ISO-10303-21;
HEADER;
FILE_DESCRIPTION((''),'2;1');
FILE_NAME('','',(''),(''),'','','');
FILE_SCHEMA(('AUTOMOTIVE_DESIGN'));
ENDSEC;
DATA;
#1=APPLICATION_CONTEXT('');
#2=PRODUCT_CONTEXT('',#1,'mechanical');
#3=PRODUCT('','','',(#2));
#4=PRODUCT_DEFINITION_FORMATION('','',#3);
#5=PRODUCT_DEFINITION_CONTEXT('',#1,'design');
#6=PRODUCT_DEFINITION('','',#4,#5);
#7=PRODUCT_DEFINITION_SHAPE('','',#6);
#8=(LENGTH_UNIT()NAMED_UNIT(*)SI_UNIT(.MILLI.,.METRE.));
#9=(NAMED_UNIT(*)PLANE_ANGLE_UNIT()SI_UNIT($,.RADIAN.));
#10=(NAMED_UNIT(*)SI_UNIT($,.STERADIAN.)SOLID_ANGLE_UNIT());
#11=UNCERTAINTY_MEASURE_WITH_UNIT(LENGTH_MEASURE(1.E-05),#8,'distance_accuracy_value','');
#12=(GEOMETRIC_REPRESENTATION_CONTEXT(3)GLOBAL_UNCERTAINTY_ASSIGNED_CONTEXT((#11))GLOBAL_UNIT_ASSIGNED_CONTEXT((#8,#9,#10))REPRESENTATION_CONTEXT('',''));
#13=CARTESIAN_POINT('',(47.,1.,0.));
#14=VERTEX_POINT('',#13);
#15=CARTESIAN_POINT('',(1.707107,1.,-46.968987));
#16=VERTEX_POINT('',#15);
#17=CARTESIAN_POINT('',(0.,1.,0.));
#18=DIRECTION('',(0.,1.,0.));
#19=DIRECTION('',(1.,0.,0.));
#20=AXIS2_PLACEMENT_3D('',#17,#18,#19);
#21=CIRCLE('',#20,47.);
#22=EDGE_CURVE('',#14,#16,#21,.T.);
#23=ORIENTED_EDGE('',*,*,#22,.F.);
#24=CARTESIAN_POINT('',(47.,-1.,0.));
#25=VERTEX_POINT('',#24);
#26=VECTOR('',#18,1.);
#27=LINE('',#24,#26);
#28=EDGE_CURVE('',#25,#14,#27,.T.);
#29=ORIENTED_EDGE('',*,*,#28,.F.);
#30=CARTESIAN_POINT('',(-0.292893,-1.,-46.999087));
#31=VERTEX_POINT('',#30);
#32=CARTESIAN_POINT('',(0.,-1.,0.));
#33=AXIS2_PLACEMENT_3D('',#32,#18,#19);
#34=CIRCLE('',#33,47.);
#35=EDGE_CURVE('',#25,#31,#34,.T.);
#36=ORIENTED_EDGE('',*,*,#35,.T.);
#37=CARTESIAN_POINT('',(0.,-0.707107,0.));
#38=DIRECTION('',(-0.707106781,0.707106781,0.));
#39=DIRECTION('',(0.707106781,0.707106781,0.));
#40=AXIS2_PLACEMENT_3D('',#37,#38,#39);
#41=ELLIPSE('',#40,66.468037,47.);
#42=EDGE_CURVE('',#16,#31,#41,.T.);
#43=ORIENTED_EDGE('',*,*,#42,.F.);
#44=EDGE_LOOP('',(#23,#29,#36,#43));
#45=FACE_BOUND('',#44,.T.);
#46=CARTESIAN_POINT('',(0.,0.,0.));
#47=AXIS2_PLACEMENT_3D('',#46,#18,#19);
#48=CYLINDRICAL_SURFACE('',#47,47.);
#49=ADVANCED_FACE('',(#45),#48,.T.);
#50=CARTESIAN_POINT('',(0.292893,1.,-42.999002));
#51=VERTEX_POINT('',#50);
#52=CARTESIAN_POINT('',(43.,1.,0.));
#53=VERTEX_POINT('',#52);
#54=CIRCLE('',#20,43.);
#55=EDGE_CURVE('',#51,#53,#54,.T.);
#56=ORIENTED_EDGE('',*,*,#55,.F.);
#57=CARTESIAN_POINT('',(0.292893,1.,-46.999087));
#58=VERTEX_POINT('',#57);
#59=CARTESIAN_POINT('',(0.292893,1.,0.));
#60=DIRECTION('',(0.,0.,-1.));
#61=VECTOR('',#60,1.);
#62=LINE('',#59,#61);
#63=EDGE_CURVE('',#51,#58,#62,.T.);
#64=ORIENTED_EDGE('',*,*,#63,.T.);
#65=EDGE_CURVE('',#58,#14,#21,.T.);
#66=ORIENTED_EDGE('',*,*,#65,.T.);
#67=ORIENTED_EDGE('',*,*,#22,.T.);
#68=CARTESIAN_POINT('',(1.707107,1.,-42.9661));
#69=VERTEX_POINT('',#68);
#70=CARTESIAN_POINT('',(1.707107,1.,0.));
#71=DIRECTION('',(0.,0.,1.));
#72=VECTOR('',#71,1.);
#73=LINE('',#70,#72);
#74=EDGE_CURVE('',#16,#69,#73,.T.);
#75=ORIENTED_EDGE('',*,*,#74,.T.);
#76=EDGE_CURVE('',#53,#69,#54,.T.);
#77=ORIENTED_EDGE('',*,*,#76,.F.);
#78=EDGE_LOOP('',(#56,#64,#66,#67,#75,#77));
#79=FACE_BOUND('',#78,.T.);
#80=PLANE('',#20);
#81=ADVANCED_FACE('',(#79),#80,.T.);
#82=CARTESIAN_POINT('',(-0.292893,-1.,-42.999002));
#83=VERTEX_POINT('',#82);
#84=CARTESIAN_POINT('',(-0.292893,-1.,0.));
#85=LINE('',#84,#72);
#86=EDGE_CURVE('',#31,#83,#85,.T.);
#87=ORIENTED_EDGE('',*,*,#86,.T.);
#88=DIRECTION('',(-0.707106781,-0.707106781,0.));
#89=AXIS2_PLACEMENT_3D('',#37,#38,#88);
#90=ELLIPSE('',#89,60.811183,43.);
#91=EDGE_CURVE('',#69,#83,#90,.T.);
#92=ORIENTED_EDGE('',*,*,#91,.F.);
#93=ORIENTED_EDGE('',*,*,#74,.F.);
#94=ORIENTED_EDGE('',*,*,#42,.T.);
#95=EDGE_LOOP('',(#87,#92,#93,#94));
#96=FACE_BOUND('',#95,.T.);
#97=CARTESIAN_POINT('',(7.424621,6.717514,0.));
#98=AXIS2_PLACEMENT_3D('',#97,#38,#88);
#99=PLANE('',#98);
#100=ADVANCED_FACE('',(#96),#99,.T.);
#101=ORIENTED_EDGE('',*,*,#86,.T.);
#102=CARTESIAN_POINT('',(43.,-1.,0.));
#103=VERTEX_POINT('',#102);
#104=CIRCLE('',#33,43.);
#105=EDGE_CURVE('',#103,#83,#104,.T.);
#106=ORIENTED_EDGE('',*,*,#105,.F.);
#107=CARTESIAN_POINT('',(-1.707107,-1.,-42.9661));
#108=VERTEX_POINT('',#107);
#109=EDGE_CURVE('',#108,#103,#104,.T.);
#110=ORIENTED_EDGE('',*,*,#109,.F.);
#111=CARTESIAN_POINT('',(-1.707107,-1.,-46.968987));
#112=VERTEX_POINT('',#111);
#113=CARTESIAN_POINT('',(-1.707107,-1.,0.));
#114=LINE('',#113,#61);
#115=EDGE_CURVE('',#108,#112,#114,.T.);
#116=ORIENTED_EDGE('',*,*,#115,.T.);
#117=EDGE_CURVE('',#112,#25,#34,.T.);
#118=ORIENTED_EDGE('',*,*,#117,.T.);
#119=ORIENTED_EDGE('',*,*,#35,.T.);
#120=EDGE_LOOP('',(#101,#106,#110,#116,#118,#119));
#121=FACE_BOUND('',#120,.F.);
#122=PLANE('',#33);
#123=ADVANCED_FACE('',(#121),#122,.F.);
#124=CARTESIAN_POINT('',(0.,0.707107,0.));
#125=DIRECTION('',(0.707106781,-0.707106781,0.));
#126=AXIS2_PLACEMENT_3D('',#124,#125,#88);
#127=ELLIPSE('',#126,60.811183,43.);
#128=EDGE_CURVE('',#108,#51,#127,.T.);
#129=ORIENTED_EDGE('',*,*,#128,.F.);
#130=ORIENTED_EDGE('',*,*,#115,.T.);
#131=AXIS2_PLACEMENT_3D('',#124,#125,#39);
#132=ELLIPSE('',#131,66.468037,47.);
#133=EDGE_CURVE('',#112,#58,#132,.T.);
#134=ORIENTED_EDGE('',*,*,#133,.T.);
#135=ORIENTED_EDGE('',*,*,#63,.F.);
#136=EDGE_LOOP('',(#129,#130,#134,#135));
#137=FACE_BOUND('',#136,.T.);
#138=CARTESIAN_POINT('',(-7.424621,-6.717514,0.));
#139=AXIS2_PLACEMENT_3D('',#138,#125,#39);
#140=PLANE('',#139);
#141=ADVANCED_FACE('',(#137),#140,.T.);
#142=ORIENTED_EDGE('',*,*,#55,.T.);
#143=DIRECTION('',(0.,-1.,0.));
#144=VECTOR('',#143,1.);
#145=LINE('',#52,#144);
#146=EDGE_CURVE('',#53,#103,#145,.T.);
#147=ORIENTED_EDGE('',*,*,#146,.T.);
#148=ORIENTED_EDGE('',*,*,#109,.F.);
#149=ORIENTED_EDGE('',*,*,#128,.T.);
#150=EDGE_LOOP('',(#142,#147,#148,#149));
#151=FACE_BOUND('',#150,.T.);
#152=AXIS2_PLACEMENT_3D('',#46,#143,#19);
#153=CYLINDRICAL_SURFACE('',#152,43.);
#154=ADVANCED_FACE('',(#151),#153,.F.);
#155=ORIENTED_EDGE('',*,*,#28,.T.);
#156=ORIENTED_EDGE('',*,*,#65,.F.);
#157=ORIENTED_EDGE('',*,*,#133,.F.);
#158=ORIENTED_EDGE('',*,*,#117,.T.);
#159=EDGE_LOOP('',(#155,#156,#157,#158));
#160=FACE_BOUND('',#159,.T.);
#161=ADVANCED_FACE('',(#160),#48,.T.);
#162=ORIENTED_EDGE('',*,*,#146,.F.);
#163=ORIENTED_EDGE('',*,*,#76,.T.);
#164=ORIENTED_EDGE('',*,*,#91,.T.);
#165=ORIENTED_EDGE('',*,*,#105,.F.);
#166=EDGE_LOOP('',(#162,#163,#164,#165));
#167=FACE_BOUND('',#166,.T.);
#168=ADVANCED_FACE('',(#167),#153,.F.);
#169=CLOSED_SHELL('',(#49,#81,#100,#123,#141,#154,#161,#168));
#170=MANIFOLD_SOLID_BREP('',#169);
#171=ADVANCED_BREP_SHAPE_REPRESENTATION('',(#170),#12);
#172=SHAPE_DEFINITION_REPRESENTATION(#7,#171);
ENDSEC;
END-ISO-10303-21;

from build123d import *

# Parameters (mm, degrees)
SKETCH1_R           = 47
SKETCH1_R_2         = 43
BOSS_EXTRUDE1_DEPTH = 1
CUT_EXTRUDE1_DEPTH  = 48


with BuildPart() as part:
    # Sketch1 → Boss-Extrude1 (new body, symmetric)
    with BuildSketch(Plane(origin=(0, 0, 0), x_dir=(1, 0, 0), z_dir=(0, 1, 0))):
        Circle(SKETCH1_R)
        Circle(SKETCH1_R_2, mode=Mode.SUBTRACT)
    extrude(amount=BOSS_EXTRUDE1_DEPTH, both=True)

    # Sketch2 → Cut-Extrude1 (cut, through all)
    with BuildSketch(Plane.XY):
        Polygon((-7.424621202, -6.717514421), (6.717514421, 7.424621202), (7.424621202, 6.717514421), (-6.717514421, -7.424621202), align=None)
    extrude(amount=-CUT_EXTRUDE1_DEPTH, mode=Mode.SUBTRACT)


solid = part.part
